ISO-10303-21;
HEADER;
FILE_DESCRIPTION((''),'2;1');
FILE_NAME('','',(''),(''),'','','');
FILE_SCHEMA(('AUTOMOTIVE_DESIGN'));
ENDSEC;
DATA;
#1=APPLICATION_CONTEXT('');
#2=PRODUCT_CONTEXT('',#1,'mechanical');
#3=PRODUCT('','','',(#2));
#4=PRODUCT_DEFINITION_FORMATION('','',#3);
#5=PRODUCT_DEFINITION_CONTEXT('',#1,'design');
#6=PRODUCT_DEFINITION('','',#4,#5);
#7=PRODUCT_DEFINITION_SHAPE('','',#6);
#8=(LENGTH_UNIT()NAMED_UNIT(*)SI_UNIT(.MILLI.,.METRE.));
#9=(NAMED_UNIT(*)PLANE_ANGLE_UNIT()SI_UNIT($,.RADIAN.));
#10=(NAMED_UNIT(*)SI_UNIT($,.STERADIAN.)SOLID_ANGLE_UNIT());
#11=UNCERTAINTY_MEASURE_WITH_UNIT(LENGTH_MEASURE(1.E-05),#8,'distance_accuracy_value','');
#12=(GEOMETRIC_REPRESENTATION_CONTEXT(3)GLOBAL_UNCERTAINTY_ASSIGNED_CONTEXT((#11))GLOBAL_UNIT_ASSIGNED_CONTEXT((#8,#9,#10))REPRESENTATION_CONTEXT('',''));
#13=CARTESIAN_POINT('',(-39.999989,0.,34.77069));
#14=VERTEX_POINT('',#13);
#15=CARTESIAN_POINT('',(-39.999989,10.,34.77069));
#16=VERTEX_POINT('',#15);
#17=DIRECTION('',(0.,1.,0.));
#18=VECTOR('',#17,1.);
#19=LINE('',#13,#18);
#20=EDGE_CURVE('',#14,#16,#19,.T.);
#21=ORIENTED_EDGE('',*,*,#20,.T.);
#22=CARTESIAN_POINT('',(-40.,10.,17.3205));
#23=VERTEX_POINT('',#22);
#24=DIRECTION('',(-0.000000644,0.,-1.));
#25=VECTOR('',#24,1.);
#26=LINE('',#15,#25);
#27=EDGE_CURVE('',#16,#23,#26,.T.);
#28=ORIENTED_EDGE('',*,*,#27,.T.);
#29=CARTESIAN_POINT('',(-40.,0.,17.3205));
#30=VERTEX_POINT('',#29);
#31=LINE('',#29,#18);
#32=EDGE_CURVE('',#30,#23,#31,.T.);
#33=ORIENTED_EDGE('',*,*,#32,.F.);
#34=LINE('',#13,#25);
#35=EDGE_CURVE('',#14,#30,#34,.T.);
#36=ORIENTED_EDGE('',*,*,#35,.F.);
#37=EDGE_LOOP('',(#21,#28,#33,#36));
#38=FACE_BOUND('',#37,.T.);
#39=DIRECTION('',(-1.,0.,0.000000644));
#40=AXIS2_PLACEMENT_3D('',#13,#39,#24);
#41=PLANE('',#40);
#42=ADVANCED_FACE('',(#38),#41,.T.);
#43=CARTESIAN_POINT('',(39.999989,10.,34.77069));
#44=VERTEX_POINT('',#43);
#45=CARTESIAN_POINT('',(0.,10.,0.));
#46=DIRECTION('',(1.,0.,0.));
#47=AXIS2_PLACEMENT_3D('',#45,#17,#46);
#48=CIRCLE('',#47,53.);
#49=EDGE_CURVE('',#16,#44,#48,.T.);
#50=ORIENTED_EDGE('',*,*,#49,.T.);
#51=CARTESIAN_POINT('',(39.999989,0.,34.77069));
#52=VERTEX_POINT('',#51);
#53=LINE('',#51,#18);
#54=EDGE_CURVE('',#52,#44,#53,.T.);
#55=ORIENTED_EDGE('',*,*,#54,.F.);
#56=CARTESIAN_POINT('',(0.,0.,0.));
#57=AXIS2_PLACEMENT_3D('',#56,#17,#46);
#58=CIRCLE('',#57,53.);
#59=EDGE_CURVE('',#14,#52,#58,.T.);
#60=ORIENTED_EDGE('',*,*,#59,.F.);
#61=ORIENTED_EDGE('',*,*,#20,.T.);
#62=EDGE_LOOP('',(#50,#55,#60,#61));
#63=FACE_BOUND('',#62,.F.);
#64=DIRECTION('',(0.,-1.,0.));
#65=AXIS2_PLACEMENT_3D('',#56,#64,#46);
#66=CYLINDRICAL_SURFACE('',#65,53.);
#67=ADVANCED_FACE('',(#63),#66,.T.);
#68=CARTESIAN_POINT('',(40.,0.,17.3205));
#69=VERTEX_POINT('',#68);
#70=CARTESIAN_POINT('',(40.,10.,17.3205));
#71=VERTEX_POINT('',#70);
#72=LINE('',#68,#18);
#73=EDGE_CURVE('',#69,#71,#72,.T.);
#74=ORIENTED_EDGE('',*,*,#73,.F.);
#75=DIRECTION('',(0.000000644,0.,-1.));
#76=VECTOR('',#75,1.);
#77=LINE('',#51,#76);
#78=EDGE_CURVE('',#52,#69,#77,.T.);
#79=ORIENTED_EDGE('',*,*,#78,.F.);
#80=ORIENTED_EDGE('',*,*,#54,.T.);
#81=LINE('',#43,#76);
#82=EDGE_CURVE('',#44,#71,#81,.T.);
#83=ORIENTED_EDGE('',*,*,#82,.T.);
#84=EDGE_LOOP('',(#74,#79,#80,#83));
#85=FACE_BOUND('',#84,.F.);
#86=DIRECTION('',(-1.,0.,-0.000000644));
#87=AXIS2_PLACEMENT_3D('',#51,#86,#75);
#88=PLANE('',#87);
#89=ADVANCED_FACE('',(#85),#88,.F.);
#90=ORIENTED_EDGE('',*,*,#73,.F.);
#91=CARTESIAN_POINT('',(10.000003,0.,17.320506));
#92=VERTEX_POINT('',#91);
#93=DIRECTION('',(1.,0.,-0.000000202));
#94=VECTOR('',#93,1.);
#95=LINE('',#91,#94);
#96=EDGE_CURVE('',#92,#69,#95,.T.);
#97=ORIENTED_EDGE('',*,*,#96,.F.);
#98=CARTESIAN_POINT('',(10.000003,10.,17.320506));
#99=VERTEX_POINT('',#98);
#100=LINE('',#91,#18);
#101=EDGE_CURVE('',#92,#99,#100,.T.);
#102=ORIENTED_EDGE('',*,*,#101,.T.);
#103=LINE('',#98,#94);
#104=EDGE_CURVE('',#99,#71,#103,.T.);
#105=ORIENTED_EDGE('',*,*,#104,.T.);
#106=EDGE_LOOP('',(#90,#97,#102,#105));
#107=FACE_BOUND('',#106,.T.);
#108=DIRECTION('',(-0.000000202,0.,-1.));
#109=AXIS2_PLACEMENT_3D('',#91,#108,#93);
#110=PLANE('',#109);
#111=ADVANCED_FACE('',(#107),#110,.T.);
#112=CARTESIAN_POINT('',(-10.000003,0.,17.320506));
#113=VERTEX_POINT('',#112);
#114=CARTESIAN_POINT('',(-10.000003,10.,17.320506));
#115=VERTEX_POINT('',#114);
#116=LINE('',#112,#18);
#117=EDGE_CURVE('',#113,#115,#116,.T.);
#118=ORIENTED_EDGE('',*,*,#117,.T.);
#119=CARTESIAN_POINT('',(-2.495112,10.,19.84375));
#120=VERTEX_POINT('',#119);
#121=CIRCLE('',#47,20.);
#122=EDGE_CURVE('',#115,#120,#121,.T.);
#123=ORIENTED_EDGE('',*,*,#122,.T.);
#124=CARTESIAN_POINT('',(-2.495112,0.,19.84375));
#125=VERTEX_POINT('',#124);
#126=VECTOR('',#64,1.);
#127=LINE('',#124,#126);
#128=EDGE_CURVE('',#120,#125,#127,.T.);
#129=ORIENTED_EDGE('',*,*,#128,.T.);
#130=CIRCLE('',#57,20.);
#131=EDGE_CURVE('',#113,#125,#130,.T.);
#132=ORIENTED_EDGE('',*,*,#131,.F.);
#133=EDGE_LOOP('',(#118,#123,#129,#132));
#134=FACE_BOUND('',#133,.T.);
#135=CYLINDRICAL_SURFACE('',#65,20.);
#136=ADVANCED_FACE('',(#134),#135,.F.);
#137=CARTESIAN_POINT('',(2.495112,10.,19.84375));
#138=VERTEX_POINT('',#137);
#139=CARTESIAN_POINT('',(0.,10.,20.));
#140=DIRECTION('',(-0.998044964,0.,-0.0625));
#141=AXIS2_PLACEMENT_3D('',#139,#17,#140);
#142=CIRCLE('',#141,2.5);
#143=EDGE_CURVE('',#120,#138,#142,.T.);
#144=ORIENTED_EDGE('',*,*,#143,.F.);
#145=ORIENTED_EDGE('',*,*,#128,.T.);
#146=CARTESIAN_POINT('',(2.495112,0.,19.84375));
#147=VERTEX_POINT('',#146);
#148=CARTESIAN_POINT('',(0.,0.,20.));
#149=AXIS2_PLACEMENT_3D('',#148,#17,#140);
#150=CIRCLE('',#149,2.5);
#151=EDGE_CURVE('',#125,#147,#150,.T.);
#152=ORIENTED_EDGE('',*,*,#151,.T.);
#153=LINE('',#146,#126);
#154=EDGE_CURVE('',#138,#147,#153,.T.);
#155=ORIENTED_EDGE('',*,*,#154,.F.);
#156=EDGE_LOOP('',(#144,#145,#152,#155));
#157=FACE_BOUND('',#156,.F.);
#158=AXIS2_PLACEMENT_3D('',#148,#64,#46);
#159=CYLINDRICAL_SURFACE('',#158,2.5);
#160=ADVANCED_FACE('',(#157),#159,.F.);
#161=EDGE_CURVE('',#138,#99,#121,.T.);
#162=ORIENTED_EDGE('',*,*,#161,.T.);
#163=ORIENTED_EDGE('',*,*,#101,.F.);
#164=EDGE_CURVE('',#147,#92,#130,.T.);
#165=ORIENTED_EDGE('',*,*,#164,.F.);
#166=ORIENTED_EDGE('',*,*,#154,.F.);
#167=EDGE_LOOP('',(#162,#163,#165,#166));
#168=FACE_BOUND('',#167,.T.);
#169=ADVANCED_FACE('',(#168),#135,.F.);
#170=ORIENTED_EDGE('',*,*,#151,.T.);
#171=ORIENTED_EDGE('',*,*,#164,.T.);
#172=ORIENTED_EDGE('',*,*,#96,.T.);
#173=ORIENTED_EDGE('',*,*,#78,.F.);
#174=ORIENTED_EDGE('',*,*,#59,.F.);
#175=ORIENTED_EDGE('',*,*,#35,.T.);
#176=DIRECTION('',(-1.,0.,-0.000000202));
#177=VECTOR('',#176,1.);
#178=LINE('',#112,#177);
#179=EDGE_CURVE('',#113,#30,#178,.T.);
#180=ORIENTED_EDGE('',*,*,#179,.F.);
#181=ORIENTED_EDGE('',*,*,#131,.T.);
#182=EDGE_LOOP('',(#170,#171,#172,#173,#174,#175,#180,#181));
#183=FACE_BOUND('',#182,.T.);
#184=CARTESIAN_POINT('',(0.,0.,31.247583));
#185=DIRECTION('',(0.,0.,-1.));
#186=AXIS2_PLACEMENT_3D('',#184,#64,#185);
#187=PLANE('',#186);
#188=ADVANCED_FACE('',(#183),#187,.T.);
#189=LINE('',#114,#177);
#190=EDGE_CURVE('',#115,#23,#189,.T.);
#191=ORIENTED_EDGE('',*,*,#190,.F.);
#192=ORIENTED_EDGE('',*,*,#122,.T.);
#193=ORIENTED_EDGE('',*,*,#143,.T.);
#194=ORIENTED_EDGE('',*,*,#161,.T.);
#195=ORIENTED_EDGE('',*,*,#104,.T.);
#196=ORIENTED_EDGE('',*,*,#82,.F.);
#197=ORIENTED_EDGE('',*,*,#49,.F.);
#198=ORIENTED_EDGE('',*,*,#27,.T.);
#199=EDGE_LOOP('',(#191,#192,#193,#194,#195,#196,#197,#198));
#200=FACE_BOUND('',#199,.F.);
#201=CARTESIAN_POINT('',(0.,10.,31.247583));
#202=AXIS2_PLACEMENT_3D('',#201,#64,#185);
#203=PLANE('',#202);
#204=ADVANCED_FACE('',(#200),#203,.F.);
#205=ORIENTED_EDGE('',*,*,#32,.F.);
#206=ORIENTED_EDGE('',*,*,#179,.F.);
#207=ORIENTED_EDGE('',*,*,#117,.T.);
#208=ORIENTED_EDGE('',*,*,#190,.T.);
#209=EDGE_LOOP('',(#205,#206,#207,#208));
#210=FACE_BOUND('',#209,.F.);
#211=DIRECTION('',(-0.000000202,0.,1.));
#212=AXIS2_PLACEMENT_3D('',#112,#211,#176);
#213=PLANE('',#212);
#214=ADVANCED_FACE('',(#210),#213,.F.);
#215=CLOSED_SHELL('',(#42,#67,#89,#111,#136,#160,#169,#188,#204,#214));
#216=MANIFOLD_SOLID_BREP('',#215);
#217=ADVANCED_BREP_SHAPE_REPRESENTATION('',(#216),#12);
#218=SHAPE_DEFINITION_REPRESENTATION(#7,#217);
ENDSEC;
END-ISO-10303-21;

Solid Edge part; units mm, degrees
sketch "Sketch1" plane through (0, 0, 0) normal (0, -1, 0) x (1, 0, 0)
  arc A0 (-10, 17.3205) -> (10, 17.3205) centre (0, 0) cw
  line L0 (10, 17.3205) -> (40, 17.3205)
  line L1 (40, 34.7707) -> (40, 17.3205)
  arc A1 (-40, 34.7707) -> (40, 34.7707) centre (0, 0) cw
  line L2 (-40, 34.7707) -> (-40, 17.3205)
  line L3 (-10, 17.3205) -> (-40, 17.3205)
  dimension "D1" = 53
  dimension "D2" = 20
  dimension "D3" = 30
extrude "Protrusion1" add sketch "Sketch1" against normal blind 10
sketch "Sketch2" plane through (0, 0, 32.5) normal (0, -1, 0) x (1, 0, 0)
  circle A0 centre (0, -12.5) radius 2.5
  dimension "D1" = 5
extrude "Cutout1" cut sketch "Sketch2" against normal through all
properties material "Steel"
